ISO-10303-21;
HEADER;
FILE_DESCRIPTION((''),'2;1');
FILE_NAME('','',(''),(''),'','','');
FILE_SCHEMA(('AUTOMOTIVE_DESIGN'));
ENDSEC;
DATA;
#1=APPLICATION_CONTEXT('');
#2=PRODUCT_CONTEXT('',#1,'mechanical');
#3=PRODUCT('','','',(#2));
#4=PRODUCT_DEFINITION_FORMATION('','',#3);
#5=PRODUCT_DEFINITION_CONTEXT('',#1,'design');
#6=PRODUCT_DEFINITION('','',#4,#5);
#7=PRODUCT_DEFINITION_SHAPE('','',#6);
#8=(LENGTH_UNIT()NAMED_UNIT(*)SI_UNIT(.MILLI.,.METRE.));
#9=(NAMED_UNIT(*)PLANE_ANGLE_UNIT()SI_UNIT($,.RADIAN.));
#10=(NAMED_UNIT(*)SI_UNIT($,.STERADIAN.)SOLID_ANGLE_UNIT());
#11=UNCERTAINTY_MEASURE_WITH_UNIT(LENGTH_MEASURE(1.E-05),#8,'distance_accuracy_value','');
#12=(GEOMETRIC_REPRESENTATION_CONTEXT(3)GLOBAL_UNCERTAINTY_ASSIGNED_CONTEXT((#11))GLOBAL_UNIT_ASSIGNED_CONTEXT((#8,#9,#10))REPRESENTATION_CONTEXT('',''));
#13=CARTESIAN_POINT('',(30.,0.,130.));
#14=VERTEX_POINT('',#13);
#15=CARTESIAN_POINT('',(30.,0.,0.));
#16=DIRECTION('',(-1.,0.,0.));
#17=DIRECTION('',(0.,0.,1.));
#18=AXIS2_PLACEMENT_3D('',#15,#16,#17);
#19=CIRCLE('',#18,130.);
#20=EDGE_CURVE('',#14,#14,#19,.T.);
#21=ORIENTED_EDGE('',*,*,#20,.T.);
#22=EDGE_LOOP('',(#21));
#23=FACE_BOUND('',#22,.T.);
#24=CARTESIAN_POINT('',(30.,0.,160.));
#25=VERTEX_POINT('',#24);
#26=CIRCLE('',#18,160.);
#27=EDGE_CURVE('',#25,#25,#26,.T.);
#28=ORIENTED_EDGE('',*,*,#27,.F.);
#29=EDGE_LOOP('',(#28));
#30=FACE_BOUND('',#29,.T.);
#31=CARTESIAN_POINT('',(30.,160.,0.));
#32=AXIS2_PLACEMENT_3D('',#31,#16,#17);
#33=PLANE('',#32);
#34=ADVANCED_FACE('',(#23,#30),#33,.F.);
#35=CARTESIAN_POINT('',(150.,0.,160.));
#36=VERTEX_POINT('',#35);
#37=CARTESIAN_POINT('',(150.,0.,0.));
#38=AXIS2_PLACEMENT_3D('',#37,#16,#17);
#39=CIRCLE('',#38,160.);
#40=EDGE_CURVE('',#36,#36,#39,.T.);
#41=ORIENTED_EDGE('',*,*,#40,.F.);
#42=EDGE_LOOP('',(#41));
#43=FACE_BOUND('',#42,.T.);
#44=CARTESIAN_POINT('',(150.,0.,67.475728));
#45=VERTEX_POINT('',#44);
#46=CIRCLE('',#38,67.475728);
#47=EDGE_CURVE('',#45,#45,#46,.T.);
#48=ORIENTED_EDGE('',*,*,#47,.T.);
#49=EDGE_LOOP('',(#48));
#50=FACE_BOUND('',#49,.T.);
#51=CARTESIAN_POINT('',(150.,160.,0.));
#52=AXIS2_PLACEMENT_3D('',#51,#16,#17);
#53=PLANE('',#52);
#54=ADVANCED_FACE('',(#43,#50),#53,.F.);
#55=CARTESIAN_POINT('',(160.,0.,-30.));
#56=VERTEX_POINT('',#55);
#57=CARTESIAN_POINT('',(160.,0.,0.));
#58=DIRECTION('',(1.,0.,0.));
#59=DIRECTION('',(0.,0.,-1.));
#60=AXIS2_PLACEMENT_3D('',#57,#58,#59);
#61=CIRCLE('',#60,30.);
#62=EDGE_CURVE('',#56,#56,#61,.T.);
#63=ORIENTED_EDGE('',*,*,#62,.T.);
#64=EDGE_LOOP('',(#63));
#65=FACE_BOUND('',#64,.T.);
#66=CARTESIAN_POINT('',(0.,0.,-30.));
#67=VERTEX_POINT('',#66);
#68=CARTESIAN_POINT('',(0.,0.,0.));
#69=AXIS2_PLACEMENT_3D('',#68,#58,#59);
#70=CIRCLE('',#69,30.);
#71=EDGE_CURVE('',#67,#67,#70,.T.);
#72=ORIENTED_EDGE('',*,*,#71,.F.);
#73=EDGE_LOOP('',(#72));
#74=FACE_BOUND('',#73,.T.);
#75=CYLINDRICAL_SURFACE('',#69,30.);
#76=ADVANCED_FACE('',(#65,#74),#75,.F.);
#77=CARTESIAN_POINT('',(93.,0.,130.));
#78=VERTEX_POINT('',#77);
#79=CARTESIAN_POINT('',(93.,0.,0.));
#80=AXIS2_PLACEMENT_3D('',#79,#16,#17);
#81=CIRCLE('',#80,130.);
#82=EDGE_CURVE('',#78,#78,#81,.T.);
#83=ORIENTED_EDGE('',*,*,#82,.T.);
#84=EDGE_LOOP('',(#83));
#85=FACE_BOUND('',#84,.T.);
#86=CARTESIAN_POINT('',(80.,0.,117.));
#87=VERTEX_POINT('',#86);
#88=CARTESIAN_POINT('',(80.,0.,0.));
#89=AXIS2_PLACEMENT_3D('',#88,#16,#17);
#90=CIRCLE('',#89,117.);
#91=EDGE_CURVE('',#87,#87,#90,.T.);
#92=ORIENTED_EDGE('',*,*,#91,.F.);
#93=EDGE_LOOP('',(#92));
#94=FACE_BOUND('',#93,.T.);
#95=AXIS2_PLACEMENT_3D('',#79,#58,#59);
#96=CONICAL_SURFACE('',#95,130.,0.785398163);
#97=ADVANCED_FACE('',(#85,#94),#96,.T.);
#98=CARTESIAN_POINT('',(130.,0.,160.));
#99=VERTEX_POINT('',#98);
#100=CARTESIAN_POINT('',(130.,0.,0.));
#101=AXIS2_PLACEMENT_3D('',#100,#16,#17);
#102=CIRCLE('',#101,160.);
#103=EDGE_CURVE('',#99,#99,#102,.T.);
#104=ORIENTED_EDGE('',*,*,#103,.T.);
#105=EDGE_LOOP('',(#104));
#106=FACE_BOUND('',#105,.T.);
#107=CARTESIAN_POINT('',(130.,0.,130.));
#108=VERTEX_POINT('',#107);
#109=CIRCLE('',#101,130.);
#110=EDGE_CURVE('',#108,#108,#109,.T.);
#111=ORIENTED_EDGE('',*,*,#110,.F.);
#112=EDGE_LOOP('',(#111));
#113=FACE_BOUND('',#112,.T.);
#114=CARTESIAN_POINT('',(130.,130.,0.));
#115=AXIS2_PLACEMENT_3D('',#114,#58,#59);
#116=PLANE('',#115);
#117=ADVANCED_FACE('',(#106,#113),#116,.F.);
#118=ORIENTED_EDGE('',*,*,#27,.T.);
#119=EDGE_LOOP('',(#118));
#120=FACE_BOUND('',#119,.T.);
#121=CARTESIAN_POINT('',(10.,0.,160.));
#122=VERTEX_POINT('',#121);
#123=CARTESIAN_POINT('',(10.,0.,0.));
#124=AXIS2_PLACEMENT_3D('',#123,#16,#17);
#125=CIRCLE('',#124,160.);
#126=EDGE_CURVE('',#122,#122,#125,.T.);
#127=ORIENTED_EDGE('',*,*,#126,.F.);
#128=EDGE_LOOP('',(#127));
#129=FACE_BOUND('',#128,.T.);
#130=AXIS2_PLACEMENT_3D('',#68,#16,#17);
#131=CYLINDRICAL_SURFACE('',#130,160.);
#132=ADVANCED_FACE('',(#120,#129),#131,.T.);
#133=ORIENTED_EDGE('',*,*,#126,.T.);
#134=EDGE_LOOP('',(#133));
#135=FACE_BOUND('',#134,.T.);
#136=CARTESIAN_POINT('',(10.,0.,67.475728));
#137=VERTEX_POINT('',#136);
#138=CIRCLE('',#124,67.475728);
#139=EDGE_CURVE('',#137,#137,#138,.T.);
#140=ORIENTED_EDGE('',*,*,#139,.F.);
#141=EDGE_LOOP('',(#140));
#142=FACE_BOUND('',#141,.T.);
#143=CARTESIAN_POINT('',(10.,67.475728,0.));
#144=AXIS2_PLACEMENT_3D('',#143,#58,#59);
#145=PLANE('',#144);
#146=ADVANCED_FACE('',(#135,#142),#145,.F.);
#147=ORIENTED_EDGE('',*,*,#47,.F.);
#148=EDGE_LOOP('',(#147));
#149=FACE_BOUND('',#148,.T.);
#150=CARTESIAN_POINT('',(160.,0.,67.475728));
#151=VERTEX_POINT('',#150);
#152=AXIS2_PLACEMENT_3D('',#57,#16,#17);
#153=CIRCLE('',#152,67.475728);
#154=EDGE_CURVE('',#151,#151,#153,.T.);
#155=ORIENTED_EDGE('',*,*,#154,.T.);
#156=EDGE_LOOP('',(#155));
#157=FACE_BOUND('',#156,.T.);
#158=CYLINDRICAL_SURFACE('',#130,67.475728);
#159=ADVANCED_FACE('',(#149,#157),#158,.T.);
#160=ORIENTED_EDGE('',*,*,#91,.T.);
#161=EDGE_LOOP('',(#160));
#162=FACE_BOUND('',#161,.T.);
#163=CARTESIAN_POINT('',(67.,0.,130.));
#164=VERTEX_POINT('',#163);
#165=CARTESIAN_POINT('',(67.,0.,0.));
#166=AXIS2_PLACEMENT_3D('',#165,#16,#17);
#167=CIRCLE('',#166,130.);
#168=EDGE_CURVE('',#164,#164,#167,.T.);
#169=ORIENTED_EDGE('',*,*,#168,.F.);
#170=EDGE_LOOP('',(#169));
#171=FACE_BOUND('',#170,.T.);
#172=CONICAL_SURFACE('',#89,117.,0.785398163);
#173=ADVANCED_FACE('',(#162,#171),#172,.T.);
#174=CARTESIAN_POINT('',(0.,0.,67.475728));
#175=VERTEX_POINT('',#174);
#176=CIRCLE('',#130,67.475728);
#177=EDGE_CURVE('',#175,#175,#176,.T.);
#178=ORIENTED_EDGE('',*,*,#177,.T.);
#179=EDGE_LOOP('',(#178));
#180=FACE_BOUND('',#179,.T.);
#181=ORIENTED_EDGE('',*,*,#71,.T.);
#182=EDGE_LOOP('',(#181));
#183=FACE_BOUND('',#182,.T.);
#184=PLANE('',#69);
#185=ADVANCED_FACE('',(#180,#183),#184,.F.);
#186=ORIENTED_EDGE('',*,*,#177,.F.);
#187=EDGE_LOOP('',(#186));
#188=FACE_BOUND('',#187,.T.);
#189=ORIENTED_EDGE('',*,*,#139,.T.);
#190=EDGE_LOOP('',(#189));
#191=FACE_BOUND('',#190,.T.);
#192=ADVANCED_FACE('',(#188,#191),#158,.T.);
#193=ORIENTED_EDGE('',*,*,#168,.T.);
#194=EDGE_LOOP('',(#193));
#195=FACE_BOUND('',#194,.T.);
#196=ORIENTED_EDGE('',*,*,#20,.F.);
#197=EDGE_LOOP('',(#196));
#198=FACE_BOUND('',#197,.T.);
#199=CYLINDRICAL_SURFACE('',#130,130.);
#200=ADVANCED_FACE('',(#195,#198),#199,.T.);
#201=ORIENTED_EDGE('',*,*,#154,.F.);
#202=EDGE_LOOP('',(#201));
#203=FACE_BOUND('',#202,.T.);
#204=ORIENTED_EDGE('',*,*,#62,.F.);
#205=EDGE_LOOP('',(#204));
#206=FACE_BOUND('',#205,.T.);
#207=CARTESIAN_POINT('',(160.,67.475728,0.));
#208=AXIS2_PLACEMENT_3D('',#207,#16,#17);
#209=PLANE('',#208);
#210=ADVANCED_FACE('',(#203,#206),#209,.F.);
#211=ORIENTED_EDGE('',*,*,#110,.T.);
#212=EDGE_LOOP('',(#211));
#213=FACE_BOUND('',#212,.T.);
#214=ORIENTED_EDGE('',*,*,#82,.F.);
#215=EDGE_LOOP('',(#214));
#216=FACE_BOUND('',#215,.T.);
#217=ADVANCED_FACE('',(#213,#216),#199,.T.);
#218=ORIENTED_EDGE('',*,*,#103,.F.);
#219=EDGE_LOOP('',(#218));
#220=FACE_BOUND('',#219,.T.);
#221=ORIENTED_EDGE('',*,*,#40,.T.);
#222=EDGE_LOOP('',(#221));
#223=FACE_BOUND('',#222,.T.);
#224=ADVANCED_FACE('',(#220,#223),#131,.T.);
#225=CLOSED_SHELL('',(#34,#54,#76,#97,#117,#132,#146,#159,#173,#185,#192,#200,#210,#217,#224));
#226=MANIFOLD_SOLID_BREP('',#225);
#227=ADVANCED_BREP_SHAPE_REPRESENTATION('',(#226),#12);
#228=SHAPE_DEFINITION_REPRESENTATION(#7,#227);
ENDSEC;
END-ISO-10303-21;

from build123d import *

# Parameters (mm, degrees)
SKETCH2_R          = 30
CUT_EXTRUDE1_DEPTH = 278.128129211


with BuildPart() as part:
    # Sketch1 → Revolve1 (revolve)
    with BuildSketch(Plane.XY, mode=Mode.PRIVATE) as revolve1_sk:
        Polygon((0, 0), (0, 67.475728155), (10, 67.475728155), (10, 160), (30, 160), (30, 130), (67, 130), (80, 117), (93, 130), (130, 130), (130, 160), (150, 160), (150, 67.475728155), (160, 67.475728155), (160, 0), align=None)
    revolve(revolve1_sk.sketch.rotate(Axis((0, 0, 0), (1, 0, 0)), 90), axis=Axis((0, 0, 0), (1, 0, 0)))

    # Sketch2 → Cut-Extrude1 (cut, through all)
    with BuildSketch(Plane(origin=(160, 0, 0), x_dir=(0, 0, -1), z_dir=(1, 0, 0))):
        Circle(SKETCH2_R)
    extrude(amount=-CUT_EXTRUDE1_DEPTH, mode=Mode.SUBTRACT)


solid = part.part
